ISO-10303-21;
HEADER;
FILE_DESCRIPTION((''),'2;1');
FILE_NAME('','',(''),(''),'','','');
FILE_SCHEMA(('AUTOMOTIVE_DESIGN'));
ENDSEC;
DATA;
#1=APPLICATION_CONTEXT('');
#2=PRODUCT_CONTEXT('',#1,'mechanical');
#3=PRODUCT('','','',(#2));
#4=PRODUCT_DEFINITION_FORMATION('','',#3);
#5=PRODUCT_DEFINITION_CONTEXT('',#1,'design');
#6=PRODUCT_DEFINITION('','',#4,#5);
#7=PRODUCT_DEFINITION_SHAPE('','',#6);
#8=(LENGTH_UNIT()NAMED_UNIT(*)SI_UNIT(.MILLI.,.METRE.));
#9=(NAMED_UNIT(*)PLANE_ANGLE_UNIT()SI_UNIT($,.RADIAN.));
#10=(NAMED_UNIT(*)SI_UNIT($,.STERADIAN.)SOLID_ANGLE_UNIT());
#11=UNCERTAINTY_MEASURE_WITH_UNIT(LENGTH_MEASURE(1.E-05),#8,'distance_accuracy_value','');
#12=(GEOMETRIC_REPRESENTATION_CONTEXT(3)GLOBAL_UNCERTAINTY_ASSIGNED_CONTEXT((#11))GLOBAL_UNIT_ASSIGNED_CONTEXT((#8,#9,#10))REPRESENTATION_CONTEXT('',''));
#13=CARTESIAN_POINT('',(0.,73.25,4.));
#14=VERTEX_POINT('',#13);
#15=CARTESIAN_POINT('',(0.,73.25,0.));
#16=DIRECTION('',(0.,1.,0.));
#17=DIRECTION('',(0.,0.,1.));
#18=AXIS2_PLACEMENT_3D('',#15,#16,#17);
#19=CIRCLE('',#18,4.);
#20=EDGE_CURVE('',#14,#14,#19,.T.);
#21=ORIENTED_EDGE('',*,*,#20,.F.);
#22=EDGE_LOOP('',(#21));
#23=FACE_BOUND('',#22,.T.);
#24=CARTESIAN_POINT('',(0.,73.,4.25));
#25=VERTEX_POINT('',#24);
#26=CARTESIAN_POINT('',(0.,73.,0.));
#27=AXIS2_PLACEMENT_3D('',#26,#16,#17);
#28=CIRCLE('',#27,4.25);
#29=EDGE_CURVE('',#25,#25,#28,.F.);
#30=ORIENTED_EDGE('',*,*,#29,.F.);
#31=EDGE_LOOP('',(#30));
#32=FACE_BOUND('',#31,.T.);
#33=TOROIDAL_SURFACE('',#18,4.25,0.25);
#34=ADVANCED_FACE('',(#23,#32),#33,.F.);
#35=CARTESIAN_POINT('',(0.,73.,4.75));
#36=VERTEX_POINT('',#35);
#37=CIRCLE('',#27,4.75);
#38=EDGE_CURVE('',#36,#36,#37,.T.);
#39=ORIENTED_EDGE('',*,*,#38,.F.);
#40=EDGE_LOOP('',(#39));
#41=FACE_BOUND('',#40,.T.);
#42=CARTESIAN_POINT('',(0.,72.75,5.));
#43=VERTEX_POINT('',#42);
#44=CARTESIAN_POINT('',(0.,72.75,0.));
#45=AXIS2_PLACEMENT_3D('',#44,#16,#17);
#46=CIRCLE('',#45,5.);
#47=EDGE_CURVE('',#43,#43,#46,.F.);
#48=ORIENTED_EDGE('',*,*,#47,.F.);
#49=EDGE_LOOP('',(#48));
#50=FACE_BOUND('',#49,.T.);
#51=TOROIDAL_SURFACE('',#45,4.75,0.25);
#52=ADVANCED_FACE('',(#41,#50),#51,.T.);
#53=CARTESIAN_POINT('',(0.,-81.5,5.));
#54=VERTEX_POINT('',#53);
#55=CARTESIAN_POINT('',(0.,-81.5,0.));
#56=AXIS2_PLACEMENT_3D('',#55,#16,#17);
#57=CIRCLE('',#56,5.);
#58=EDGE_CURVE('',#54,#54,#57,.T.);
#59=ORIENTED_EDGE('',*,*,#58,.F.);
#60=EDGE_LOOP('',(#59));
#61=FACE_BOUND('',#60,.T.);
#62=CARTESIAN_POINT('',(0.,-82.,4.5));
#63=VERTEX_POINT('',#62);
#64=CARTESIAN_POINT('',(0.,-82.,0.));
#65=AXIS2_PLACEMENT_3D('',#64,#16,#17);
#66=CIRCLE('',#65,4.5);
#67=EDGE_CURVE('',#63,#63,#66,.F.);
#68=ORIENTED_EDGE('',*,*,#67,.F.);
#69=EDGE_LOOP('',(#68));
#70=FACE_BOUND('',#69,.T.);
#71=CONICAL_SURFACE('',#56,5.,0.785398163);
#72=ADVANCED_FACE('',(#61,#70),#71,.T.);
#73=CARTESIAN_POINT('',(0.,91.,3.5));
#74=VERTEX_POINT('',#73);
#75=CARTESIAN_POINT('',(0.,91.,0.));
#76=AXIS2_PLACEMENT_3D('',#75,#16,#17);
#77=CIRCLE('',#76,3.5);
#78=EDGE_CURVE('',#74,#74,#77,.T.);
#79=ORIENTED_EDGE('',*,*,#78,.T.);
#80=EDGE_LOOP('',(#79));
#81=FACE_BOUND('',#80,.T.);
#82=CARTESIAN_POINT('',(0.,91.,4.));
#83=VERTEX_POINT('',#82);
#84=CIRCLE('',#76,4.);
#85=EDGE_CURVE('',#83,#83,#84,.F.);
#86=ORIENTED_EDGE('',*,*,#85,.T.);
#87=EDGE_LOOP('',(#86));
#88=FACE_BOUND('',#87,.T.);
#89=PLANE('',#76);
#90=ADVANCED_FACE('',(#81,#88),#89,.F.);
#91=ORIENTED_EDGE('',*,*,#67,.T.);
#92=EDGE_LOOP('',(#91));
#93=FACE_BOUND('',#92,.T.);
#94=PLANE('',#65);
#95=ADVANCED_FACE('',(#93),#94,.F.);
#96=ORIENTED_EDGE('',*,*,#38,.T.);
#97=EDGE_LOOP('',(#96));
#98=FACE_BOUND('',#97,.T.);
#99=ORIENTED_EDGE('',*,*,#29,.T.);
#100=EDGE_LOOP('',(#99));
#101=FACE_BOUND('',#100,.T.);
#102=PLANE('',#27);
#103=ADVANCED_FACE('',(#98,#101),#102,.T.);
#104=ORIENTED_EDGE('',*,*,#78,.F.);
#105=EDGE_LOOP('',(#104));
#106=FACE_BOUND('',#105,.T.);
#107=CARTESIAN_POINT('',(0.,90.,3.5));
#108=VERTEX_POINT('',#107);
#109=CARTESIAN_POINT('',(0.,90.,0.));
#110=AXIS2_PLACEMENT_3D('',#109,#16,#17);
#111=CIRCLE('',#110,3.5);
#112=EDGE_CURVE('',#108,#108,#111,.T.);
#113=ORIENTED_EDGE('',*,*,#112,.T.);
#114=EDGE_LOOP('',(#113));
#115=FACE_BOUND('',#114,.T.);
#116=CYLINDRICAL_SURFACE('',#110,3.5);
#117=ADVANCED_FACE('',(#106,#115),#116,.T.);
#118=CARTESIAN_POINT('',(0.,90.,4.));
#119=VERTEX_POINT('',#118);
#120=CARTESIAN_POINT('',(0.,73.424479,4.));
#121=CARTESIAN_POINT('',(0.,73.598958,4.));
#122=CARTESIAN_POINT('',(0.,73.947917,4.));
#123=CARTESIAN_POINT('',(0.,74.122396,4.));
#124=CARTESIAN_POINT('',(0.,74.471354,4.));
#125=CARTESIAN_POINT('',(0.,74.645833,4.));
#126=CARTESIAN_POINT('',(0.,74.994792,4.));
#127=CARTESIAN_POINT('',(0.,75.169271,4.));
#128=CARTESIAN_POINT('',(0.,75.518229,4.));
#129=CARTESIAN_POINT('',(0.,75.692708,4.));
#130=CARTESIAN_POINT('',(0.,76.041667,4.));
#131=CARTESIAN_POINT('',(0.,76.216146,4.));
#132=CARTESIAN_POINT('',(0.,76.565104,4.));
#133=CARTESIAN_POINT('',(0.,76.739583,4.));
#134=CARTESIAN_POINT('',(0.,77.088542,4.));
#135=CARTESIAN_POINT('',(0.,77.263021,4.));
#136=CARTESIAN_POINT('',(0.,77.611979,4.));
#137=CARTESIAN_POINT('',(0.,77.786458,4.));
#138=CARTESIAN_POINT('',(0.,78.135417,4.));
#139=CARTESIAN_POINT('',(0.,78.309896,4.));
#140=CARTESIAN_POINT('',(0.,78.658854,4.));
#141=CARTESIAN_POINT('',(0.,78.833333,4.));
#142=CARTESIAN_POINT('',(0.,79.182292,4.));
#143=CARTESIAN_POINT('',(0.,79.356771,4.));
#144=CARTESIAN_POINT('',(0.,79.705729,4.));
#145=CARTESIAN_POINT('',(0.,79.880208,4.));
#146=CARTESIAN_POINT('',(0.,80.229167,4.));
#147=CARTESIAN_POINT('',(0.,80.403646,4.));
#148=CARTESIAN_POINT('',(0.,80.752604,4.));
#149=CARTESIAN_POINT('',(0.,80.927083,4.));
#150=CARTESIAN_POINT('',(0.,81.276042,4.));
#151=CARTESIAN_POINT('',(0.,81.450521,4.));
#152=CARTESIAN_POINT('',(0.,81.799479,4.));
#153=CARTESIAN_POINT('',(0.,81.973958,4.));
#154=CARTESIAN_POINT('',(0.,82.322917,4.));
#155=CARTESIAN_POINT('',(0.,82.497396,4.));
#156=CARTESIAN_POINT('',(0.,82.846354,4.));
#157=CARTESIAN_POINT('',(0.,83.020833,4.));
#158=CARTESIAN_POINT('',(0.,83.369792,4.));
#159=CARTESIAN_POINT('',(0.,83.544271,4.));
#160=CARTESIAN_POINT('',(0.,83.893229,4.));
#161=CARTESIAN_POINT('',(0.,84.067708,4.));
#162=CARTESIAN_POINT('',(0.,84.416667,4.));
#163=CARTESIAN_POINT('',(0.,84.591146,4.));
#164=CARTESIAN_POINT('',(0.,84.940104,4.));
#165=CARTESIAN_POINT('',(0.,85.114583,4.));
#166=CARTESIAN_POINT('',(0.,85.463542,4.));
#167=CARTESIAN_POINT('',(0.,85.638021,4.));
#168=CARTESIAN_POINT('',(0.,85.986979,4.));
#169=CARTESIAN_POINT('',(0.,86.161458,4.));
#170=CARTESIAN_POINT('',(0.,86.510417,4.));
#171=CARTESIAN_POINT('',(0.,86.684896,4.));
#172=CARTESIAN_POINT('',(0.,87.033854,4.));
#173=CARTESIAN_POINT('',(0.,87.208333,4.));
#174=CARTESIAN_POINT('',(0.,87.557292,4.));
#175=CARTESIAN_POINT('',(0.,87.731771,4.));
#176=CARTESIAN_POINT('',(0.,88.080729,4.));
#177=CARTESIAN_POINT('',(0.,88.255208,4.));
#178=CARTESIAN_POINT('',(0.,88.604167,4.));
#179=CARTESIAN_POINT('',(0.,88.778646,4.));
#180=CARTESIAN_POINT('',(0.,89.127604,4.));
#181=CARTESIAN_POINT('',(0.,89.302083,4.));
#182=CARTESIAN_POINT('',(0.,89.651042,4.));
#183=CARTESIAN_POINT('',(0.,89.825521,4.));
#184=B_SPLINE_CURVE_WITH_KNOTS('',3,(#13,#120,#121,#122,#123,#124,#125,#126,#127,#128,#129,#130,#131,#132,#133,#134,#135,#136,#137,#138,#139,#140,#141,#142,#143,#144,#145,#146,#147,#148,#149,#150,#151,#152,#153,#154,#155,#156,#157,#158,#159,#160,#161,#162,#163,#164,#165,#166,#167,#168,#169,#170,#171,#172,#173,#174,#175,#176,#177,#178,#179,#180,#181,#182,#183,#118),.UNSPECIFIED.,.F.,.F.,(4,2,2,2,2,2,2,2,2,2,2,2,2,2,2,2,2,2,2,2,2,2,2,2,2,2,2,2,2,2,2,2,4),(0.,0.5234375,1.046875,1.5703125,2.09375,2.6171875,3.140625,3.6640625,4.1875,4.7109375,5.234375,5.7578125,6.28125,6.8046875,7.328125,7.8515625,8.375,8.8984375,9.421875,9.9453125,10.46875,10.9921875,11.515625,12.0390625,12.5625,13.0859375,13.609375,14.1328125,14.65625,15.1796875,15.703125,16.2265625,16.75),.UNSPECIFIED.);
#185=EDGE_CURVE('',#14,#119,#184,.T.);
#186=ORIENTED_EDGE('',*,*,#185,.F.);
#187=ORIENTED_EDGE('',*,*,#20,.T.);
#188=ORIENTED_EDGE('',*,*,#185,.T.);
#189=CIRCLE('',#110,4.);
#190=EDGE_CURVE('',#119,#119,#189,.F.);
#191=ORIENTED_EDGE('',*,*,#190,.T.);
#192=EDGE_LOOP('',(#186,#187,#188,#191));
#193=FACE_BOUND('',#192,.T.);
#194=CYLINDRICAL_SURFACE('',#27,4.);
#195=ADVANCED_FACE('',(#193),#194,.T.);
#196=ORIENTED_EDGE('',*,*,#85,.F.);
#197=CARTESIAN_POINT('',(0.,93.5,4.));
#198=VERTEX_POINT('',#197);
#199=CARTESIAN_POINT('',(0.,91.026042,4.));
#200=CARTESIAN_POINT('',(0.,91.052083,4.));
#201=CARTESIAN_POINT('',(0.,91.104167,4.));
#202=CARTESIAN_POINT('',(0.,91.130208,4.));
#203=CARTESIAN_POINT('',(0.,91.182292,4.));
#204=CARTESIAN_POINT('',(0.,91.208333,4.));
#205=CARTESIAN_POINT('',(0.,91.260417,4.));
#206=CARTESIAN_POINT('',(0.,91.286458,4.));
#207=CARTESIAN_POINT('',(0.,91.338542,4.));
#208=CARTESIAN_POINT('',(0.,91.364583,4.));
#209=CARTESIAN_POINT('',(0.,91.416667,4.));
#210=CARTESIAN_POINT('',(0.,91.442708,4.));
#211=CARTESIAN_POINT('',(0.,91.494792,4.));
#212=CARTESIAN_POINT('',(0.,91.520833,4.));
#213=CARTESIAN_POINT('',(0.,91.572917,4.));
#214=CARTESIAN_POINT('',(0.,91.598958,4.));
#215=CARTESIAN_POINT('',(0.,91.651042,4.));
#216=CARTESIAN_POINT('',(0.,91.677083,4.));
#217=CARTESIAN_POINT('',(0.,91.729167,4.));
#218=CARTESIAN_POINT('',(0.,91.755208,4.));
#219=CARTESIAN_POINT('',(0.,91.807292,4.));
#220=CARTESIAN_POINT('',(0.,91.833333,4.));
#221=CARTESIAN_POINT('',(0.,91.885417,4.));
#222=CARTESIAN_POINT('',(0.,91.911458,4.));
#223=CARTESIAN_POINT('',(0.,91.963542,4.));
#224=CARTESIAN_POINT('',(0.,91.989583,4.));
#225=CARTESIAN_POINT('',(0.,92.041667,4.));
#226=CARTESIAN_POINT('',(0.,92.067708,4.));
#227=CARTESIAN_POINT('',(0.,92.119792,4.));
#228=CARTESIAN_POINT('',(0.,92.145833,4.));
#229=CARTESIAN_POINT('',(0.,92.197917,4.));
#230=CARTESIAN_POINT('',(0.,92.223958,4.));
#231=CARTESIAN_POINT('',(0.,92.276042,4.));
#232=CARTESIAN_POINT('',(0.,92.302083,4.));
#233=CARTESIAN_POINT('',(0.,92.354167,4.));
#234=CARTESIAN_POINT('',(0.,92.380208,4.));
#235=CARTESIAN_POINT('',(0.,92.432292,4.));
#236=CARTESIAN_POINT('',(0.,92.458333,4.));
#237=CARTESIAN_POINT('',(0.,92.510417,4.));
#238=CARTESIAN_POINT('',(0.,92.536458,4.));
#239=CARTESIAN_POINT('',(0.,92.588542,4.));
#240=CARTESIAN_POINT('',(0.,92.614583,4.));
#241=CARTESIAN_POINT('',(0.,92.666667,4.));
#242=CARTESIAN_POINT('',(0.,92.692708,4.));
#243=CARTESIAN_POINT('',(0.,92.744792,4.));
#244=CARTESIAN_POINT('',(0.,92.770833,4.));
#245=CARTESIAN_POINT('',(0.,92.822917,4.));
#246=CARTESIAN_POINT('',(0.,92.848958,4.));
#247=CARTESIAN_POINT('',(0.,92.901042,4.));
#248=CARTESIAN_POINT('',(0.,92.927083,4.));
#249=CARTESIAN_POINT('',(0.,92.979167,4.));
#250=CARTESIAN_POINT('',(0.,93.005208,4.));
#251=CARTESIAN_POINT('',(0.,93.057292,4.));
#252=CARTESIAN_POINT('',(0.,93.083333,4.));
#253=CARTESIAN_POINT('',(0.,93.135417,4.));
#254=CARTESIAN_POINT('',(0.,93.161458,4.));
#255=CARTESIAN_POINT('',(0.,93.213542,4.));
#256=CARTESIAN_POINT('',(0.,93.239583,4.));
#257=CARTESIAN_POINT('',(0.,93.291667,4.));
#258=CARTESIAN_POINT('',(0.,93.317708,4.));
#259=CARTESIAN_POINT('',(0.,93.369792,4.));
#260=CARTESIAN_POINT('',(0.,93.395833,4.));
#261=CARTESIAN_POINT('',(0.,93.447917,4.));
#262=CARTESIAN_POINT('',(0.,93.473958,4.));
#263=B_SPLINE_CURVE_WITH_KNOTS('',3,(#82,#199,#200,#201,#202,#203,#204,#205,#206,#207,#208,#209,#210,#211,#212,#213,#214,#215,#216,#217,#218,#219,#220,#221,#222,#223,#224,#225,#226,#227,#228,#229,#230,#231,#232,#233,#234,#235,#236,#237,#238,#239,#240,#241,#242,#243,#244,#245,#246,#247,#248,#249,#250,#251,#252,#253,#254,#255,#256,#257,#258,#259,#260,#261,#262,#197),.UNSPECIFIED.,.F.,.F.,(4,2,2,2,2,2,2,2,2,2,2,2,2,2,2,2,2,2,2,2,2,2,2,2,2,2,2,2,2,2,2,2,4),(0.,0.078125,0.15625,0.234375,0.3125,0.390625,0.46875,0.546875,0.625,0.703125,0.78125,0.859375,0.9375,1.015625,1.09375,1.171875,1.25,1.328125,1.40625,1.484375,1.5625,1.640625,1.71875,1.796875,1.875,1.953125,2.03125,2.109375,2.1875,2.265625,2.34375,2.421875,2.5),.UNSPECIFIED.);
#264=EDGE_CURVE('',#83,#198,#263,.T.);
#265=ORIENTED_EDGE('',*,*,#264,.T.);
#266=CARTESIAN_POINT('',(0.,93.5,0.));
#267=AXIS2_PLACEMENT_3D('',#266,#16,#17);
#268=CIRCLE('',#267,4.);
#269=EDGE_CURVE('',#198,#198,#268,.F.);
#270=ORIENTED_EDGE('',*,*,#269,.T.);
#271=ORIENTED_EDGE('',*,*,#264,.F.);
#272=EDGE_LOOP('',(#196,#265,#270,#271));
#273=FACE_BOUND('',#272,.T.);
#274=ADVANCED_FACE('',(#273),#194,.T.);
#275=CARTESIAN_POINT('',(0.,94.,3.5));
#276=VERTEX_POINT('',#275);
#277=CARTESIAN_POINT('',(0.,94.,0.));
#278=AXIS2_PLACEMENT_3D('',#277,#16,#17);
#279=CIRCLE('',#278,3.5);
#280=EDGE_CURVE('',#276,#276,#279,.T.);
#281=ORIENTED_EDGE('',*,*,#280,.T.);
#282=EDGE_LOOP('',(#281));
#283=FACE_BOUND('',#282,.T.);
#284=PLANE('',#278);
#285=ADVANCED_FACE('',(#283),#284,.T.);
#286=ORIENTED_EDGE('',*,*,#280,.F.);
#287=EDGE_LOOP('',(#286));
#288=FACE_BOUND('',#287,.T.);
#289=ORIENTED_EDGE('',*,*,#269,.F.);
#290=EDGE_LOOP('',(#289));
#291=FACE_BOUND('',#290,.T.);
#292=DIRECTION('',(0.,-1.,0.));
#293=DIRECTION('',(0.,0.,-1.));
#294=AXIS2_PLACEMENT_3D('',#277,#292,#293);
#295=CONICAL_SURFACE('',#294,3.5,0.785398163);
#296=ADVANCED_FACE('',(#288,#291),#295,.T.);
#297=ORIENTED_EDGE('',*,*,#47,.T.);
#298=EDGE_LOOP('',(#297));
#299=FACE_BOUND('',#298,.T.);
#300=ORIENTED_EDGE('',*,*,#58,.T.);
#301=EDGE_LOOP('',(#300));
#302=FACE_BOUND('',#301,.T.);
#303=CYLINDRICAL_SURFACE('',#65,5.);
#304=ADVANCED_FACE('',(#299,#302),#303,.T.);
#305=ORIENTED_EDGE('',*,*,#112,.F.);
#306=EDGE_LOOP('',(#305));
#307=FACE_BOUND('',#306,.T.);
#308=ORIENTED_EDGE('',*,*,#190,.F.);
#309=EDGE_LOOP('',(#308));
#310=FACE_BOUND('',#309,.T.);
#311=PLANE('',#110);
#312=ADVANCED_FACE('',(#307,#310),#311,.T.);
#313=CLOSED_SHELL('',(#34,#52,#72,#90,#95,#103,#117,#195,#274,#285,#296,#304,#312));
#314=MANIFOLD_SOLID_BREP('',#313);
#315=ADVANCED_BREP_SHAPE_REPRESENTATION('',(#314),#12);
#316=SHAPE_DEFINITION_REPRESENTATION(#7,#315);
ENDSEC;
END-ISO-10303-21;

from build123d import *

# Parameters (mm, degrees)
RESSALTO_EXTRUS_O1_DEPTH      = 94
RESSALTO_EXTRUS_O1_DEPTH_BACK = 82
ESBO_O1_R                     = 5
ESBO_O2_R                     = 14
ESBO_O2_R_2                   = 4
CORTE_EXTRUS_O1_DEPTH         = 21
CHANFRO1_SIZE                 = 0.5
FILETE1_R                     = 0.25
CHANFRO2_SIZE                 = 0.5
CORTE_EXTRUS_O2_START         = -3
ESBO_O3_R                     = 13.5
ESBO_O3_R_2                   = 3.5
CORTE_EXTRUS_O2_DEPTH         = 1


with BuildPart() as part:
    # Esboço1 → Ressalto-extrusão1 (new, two sides: drawn at the far end of the back side and taken through both)
    with BuildSketch(Plane(origin=(0, 0, 0), x_dir=(1, 0, 0), z_dir=(0, 1, 0)).offset(-RESSALTO_EXTRUS_O1_DEPTH_BACK)):
        with Locations(Location((0, 0, 0), (0, 0, 270))):
            Circle(ESBO_O1_R)
    extrude(amount=RESSALTO_EXTRUS_O1_DEPTH + RESSALTO_EXTRUS_O1_DEPTH_BACK)

    # Esboço2 → Corte-extrusão1 (cut)
    with BuildSketch(Plane(origin=(0, 94, 0), x_dir=(1, 0, 0), z_dir=(0, 1, 0))):
        Circle(ESBO_O2_R)
        with Locations(Location((0, 0, 0), (0, 0, 270))):
            Circle(ESBO_O2_R_2, mode=Mode.SUBTRACT)
    extrude(amount=-CORTE_EXTRUS_O1_DEPTH, mode=Mode.SUBTRACT)

    # Chanfro1
    chanfro1_edges = [part.edges().sort_by_distance(p)[0] for p in [
        (0, 94, -4),
    ]]
    chamfer(chanfro1_edges, length=CHANFRO1_SIZE)

    # Filete1
    filete1_edges = [part.edges().sort_by_distance(p)[0] for p in [
        (0, 73, -5),
        (0, 73, -4),
    ]]
    fillet(filete1_edges, radius=FILETE1_R)

    # Chanfro2
    chanfro2_edges = [part.edges().sort_by_distance(p)[0] for p in [
        (0, -82, -5),
    ]]
    chamfer(chanfro2_edges, length=CHANFRO2_SIZE)

    # Esboço3 → Corte-extrusão2 (cut)
    with BuildSketch(Plane(origin=(0, 94, 0), x_dir=(1, 0, 0), z_dir=(0, 1, 0)).offset(CORTE_EXTRUS_O2_START)):
        Circle(ESBO_O3_R)
        with Locations(Location((0, 0, 0), (0, 0, 270))):
            Circle(ESBO_O3_R_2, mode=Mode.SUBTRACT)
    extrude(amount=-CORTE_EXTRUS_O2_DEPTH, mode=Mode.SUBTRACT)


solid = part.part
